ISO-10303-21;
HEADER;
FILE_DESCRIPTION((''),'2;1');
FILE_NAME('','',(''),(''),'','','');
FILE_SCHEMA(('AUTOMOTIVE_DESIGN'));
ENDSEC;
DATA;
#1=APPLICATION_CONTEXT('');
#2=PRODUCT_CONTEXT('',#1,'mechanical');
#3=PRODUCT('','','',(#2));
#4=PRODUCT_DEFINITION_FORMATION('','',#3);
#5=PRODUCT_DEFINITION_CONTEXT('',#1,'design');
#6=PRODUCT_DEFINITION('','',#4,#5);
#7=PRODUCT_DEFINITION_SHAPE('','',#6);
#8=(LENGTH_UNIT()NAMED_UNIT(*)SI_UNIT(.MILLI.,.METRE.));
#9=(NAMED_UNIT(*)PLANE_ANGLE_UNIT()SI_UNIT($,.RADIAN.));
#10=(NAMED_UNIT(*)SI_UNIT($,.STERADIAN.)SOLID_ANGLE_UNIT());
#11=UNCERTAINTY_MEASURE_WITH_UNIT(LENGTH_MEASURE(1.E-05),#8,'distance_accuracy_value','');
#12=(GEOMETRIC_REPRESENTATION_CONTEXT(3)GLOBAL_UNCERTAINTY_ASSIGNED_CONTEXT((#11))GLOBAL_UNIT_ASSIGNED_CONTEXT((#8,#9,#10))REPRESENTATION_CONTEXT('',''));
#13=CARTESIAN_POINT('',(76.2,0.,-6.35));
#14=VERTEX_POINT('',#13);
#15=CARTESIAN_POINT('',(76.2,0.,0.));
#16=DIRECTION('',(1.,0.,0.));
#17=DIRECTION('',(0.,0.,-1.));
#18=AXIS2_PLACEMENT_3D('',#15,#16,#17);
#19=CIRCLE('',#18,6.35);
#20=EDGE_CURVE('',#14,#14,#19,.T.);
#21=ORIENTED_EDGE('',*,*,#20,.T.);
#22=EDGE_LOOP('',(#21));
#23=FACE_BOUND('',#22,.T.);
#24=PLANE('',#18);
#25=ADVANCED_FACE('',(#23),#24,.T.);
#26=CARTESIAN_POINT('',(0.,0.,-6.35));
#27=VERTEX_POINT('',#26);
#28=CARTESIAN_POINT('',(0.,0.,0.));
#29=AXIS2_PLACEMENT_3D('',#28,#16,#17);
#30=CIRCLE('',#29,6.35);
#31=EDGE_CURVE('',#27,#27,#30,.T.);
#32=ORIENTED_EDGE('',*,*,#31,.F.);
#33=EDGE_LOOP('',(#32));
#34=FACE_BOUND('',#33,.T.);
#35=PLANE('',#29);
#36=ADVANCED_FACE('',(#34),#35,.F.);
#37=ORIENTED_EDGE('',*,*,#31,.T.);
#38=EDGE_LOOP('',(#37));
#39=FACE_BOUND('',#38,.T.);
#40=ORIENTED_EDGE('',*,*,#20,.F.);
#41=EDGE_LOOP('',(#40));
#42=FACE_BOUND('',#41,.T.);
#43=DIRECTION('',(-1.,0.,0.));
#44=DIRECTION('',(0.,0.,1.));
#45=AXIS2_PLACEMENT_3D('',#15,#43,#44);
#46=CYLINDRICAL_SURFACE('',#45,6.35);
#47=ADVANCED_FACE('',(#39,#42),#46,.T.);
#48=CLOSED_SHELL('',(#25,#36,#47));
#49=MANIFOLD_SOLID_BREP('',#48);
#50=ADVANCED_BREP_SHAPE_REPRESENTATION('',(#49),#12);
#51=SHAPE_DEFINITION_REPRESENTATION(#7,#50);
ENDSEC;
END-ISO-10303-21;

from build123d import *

# Parameters (mm, degrees)
SKETCH1_R           = 6.35
BOSS_EXTRUDE1_DEPTH = 76.2


with BuildPart() as part:
    # Sketch1 → Boss-Extrude1 (new body)
    with BuildSketch(Plane(origin=(0, 0, 0), x_dir=(0, 0, -1), z_dir=(1, 0, 0))):
        Circle(SKETCH1_R)
    extrude(amount=BOSS_EXTRUDE1_DEPTH)


solid = part.part
